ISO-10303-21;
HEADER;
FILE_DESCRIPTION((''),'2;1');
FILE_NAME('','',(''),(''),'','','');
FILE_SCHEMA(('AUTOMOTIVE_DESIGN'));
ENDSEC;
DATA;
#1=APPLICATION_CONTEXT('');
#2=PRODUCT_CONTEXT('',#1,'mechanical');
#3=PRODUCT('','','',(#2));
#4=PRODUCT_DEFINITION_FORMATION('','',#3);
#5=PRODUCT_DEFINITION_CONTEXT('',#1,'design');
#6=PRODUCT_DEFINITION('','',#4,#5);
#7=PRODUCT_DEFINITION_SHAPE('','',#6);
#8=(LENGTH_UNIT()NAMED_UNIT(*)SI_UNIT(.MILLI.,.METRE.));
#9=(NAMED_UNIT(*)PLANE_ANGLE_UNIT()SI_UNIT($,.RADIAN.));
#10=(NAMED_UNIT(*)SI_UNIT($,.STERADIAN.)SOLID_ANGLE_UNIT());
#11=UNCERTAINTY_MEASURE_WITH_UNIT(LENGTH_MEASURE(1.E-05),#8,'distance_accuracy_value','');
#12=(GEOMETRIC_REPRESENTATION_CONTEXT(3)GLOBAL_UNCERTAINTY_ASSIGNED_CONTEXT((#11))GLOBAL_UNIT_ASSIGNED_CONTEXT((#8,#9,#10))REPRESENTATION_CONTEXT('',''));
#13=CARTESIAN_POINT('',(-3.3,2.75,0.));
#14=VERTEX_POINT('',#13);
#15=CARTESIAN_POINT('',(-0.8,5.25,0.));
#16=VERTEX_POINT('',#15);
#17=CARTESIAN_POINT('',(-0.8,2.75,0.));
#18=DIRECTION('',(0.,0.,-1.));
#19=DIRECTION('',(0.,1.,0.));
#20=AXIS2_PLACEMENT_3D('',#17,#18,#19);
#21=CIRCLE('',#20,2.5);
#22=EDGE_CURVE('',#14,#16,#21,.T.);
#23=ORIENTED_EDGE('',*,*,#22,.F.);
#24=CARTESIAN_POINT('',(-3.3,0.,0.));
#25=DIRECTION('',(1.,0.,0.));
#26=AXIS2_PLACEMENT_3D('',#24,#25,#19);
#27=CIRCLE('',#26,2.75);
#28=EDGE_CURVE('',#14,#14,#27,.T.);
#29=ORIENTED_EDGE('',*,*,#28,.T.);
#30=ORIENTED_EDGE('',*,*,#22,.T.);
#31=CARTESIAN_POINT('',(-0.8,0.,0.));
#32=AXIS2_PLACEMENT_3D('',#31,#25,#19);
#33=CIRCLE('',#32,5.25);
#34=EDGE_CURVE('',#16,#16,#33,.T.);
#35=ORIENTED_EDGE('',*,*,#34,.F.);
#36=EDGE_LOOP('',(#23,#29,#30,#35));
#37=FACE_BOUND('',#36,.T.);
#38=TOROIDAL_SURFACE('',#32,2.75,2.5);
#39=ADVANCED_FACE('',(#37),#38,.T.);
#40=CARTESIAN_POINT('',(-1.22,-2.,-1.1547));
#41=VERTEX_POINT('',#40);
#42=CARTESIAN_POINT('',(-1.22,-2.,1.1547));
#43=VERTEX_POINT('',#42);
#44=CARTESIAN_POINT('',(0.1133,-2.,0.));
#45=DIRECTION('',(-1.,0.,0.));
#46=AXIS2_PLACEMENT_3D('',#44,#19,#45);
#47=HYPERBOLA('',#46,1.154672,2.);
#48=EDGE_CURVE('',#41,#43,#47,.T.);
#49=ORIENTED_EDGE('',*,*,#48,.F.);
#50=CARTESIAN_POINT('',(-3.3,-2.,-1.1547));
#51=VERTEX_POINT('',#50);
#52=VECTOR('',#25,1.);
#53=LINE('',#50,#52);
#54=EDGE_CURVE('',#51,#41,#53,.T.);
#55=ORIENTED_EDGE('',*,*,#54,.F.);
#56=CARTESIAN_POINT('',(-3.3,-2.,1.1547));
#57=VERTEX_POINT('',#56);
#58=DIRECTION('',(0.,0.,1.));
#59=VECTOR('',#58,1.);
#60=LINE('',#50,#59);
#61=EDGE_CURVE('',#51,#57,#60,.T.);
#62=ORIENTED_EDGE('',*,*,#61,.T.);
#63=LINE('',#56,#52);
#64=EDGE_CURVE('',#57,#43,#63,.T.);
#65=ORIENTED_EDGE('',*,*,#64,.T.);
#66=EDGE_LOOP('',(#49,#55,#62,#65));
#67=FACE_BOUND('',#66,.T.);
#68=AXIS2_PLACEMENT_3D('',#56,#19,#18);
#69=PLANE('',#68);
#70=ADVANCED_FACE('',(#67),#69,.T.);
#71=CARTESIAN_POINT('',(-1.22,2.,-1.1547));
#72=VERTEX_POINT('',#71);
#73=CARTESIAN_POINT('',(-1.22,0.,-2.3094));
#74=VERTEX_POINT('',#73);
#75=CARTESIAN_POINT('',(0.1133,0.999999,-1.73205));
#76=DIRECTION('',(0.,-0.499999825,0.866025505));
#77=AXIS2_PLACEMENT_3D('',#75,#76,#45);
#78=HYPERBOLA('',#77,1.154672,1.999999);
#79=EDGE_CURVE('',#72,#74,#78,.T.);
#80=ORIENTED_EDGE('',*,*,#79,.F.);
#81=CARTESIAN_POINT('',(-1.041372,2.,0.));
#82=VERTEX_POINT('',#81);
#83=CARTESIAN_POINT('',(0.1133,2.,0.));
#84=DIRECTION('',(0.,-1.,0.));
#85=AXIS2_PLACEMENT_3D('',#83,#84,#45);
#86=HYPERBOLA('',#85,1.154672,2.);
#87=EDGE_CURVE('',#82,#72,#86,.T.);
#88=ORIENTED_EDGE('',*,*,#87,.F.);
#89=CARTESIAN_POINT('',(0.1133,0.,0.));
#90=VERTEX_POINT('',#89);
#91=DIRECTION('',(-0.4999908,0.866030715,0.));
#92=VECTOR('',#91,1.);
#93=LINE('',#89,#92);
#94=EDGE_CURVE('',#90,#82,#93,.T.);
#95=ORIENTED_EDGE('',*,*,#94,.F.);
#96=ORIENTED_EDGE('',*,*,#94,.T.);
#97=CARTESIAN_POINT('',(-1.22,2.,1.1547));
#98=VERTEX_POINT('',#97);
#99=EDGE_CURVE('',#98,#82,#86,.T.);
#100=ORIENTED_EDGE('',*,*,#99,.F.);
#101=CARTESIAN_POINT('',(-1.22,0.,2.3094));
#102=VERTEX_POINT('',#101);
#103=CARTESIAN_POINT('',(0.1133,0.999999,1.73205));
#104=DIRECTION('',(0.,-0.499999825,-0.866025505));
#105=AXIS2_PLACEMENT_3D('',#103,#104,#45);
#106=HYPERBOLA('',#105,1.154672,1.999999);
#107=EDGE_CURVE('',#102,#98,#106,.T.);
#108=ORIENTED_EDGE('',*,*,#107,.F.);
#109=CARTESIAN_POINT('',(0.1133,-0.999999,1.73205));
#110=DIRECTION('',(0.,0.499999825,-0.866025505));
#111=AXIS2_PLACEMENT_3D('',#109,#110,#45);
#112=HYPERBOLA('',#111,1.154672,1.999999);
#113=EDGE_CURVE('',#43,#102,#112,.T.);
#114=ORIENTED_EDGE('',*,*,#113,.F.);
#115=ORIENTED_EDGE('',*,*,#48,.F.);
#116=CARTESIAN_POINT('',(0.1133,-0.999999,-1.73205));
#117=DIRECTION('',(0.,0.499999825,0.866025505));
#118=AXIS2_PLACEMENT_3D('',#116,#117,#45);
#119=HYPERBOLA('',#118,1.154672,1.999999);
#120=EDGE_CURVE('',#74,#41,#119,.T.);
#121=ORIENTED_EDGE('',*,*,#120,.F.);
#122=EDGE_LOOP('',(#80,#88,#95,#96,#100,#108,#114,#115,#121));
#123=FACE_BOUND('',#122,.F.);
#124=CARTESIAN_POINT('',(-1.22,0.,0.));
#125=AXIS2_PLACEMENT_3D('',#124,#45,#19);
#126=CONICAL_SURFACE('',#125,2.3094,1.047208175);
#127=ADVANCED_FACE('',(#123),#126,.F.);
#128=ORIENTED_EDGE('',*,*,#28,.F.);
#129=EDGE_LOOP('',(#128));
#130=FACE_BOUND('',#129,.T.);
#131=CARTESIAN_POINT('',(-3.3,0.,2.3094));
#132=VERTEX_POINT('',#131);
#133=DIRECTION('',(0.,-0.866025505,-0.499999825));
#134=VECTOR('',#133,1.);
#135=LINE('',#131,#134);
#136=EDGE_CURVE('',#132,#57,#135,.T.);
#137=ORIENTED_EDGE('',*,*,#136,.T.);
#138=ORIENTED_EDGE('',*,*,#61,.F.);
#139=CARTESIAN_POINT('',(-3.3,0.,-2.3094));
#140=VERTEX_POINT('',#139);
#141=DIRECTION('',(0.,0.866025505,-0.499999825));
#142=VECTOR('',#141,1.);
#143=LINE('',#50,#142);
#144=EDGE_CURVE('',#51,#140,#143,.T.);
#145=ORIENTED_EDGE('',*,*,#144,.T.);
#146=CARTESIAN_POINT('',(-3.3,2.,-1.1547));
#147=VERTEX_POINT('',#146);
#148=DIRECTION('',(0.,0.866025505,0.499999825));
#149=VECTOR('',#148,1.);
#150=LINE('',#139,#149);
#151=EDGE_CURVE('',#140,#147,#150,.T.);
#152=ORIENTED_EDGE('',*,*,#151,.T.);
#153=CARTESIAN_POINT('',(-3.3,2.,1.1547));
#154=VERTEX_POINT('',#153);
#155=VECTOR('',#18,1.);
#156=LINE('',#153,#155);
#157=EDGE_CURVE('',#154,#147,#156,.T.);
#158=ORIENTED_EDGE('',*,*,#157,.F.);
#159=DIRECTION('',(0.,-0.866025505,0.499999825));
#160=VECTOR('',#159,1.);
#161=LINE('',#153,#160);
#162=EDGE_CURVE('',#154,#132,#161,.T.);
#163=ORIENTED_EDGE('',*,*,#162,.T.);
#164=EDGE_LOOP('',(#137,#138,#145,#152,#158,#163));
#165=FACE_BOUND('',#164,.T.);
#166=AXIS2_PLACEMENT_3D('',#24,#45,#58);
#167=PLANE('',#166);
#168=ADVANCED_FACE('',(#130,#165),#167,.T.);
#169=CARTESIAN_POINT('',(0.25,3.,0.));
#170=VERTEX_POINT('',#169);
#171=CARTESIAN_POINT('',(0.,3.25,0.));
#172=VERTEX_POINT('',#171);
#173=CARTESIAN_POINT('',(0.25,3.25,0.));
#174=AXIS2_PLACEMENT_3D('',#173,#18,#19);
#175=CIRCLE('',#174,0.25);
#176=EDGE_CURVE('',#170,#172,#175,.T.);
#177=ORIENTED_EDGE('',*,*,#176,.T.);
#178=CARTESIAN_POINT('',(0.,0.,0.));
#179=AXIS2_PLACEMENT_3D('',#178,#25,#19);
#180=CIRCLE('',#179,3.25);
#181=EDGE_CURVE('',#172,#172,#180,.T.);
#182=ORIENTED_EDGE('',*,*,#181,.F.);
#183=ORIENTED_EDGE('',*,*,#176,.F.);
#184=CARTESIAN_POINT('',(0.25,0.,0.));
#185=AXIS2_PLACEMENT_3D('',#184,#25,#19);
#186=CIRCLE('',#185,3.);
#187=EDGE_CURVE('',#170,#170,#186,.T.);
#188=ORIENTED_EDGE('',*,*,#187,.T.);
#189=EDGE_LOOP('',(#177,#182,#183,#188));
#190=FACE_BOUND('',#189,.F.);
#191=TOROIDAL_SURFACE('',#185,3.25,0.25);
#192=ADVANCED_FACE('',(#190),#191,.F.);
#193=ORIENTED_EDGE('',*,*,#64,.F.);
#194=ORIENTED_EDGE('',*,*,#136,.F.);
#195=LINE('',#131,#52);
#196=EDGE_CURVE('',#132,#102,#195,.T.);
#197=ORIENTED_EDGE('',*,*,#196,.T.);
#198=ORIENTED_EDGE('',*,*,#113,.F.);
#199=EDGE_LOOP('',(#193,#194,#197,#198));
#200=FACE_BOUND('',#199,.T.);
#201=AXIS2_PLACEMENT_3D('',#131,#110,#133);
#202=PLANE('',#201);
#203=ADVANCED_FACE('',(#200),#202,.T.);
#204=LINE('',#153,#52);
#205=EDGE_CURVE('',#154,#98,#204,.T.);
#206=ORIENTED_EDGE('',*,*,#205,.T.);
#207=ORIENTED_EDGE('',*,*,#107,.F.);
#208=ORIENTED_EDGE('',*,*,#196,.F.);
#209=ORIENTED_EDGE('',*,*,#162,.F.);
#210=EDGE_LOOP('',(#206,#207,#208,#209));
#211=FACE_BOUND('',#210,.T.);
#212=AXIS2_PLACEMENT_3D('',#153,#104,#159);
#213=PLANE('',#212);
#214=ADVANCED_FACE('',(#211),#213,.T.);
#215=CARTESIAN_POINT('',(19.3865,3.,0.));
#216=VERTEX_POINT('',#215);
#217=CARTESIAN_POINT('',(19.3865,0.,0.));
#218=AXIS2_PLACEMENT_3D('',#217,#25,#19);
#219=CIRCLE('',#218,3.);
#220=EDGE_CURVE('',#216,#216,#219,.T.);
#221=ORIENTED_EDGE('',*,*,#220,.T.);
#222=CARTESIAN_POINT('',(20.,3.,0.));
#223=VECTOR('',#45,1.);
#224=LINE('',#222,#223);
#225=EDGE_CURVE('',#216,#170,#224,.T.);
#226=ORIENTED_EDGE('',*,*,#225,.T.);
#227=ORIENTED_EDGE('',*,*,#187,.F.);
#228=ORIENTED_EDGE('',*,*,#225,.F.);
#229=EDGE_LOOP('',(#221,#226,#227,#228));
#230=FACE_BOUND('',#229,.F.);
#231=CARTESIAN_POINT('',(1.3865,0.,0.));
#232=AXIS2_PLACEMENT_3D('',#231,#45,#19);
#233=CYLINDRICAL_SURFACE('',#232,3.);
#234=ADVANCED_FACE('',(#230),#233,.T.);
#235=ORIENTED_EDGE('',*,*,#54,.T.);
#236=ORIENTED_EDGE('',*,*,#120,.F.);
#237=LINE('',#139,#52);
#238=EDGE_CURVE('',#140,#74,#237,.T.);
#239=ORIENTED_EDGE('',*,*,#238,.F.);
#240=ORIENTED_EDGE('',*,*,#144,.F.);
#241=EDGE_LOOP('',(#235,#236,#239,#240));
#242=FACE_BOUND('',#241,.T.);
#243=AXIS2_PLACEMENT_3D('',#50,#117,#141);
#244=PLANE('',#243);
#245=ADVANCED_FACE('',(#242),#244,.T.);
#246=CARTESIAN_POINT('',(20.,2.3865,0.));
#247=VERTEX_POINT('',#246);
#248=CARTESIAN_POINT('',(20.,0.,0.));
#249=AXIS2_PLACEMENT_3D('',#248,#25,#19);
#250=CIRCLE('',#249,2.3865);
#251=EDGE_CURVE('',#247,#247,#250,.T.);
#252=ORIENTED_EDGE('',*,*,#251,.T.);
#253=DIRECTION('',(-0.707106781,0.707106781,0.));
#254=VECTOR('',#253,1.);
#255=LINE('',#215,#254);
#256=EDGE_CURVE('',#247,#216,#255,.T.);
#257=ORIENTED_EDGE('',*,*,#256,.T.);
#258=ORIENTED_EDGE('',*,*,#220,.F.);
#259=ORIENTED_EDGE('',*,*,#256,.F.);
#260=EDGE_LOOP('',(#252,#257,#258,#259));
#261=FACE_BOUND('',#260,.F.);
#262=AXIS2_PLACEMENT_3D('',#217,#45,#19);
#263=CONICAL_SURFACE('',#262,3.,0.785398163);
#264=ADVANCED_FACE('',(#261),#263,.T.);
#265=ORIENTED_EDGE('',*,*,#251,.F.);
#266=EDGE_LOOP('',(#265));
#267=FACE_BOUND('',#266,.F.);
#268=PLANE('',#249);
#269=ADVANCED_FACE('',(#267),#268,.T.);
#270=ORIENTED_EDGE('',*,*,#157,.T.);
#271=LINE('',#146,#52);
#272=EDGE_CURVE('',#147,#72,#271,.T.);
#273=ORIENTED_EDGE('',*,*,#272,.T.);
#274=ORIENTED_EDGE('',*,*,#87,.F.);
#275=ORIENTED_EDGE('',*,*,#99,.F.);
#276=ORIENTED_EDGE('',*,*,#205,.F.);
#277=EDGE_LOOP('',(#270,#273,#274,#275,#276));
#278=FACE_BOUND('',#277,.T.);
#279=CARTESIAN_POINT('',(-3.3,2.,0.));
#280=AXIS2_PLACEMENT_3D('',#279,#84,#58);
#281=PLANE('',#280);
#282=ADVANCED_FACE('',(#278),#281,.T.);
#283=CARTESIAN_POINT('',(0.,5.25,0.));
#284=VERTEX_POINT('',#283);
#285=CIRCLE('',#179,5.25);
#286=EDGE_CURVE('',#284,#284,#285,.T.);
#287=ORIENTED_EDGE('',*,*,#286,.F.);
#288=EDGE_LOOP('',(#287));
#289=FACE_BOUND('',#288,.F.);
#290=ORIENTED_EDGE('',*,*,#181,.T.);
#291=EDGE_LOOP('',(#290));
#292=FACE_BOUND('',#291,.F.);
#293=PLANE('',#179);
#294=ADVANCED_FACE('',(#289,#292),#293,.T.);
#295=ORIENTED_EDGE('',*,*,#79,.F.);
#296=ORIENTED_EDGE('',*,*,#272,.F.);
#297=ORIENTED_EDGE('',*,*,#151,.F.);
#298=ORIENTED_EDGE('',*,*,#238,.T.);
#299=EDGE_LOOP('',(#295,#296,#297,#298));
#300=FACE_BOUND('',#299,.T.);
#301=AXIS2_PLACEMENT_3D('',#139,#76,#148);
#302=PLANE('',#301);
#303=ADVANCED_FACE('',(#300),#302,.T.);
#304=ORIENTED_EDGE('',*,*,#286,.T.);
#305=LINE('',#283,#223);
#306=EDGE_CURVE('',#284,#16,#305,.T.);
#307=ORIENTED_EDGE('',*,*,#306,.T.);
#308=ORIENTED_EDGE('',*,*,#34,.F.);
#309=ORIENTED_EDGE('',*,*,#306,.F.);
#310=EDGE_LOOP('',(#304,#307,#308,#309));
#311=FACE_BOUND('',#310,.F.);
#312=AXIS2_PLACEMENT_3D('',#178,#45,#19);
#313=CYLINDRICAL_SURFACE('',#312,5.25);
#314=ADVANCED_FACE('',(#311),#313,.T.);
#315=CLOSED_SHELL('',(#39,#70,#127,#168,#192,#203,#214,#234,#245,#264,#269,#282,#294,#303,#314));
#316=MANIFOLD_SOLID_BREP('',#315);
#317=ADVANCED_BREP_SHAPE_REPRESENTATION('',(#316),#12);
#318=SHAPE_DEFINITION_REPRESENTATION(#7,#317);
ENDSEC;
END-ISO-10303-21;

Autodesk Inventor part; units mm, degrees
ref_plane "YZ Plane" through (0, 0, 0) normal (1, 0, 0) x (0, 1, 0)
ref_plane "XZ Plane" through (0, 0, 0) normal (0, 1, 0) x (-1, 0, 0)
sketch "Sketch1" plane through (0, 0, 0) normal (0, 0, 1) x (1, 0, 0)
  line L0 (0.1133, 0) -> (20, 0)
  line L1 (20, 0) -> (20, 3)
  line L2 (20, 3) -> (2, 3)
  line L3 (2, 3) -> (1.3865, 3)
  line L4 (1.3865, 3) -> (0, 3)
  line L5 (0, 3) -> (0, 5.25)
  line L6 (0, 5.25) -> (-3.3, 5.25)
  line L7 (-3.3, 5.25) -> (-3.3, 2.3094)
  line L8 (-3.3, 2.3094) -> (-1.22, 2.3094)
  line L9 (-1.22, 2.3094) -> (0.1133, 0)
  line L10 (-7.96, 0) -> (24.66, 0) projected
  line L11 (0, -1.05) -> (0, 6.3) projected
  line L12 (2, 3) -> (0, 3) construction
  dimension "d0" = 18
  dimension "d1" = 0.6135
  dimension "d2" = 3.3
  dimension "d3" = 2.08
  dimension "d4" = 60
  dimension "d5" = 6
  dimension "d6" = 6
  dimension "d7" = 4.6188
  dimension "d8" = 10.5
  dimension "d19" = 20
revolve "Body" add sketch "Sketch1" angle 360 about axis through (0.1133, 0, 0) along (1, 0, 0) contours L9 L11 L4 L3 L2 L1 L0 | L9 L8 L7 L6 L5 L11
sketch "Sketch2" plane through (-3.3, 0, 0) normal (-1, 0, 0) x (0, 0, 1)
  circle A0 centre (0, 0) radius 2.3094 projected
  line L0 (0, -7.35) -> (0, 7.35) projected
  line L1 (-7.35, 0) -> (7.35, 0) projected
  line L2 (2.3094, 0) -> (1.1547, -2)
  line L3 (1.1547, -2) -> (-1.1547, -2)
  line L4 (-1.1547, -2) -> (-2.3094, 0)
  line L5 (-2.3094, 0) -> (-1.1547, 2)
  line L6 (-1.1547, 2) -> (1.1547, 2)
  line L7 (1.1547, 2) -> (2.3094, 0)
extrude "Slot" add sketch "Sketch2" against normal up to next contours L7 A0 | A0 L2 | L6 L0 A0 | A0 L0 L3 | L0 L6 A0 | A0 L3 L0 | L4 A0 | A0 L5
fillet "Fillet1" radius 2.5 1 edges at (-3.3, -5.25, 0)
thread "Thread" size "M6x1" class "4g6g" standard "ANSI Metric M Profile" length 18
chamfer "Chamfer1" distance 0.6135 distance2 0.6135 1 edges at (20, -3, 0) measured on face at (20, 1.0659, 1.0214)
fillet "Fillet2" radius 0.25 1 edges at (0, -3, 0)
ref_plane "Work Plane1" through (30, 0, 0) normal (0, -0.5, 0.866) x (1, 0, 0)
equation "\"d0\" = GEL"
equation "\"d1\" = GAL"
equation "\"d2\" = KOH"
equation "\"d3\" = INTI"
equation "\"d5\" = GD"
equation "\"d6\" = BDM"
equation "\"d7\" = 1.1547 * SW"
equation "\"d8\" = KOD"
equation "\"d19\" = NLG"
equation "\"d16\" = RR"
equation "\"d12\" = GEL"
equation "\"d14\" = -0.5 * SPD + 0.5 * GD"
equation "\"d15\" = GUL"
equation "\"d29\" = R"
equation "\"GD\" = NND"
equation "\"NLG\" = 20"
equation "\"GEL\" = 18"
equation "\"KOD\" = 10.5"
equation "\"KOH\" = 3.3"
equation "\"INTI\" = 2.08"
equation "\"GAL\" = 0.61345 * PTC"
equation "\"GUL\" = 0.61345 * PTC"
equation "\"BDM\" = NND"
equation "\"SW\" = 4"
equation "\"RR\" = 2.5"
equation "\"SPD\" = 4.7731"
equation "\"d28\" = R"
equation "\"R\" = 0.25"
equation "\"TOA\" = 30deg"
equation "\"THREADDIA\" = 6"
equation "\"KOD1\" = KOD - 2 * RR"
equation "\"PTC\" = 1"
equation "\"NND\" = 6"
equation "\"E0\" = 1.155 * SW"
equation "\"GD1\" = THREADDIA - 1.2269 * PTC"
properties part number "ANSI B18.3.4M - M6 x 1 x 20, FHSBHCSM" material "Steel, Mild"
